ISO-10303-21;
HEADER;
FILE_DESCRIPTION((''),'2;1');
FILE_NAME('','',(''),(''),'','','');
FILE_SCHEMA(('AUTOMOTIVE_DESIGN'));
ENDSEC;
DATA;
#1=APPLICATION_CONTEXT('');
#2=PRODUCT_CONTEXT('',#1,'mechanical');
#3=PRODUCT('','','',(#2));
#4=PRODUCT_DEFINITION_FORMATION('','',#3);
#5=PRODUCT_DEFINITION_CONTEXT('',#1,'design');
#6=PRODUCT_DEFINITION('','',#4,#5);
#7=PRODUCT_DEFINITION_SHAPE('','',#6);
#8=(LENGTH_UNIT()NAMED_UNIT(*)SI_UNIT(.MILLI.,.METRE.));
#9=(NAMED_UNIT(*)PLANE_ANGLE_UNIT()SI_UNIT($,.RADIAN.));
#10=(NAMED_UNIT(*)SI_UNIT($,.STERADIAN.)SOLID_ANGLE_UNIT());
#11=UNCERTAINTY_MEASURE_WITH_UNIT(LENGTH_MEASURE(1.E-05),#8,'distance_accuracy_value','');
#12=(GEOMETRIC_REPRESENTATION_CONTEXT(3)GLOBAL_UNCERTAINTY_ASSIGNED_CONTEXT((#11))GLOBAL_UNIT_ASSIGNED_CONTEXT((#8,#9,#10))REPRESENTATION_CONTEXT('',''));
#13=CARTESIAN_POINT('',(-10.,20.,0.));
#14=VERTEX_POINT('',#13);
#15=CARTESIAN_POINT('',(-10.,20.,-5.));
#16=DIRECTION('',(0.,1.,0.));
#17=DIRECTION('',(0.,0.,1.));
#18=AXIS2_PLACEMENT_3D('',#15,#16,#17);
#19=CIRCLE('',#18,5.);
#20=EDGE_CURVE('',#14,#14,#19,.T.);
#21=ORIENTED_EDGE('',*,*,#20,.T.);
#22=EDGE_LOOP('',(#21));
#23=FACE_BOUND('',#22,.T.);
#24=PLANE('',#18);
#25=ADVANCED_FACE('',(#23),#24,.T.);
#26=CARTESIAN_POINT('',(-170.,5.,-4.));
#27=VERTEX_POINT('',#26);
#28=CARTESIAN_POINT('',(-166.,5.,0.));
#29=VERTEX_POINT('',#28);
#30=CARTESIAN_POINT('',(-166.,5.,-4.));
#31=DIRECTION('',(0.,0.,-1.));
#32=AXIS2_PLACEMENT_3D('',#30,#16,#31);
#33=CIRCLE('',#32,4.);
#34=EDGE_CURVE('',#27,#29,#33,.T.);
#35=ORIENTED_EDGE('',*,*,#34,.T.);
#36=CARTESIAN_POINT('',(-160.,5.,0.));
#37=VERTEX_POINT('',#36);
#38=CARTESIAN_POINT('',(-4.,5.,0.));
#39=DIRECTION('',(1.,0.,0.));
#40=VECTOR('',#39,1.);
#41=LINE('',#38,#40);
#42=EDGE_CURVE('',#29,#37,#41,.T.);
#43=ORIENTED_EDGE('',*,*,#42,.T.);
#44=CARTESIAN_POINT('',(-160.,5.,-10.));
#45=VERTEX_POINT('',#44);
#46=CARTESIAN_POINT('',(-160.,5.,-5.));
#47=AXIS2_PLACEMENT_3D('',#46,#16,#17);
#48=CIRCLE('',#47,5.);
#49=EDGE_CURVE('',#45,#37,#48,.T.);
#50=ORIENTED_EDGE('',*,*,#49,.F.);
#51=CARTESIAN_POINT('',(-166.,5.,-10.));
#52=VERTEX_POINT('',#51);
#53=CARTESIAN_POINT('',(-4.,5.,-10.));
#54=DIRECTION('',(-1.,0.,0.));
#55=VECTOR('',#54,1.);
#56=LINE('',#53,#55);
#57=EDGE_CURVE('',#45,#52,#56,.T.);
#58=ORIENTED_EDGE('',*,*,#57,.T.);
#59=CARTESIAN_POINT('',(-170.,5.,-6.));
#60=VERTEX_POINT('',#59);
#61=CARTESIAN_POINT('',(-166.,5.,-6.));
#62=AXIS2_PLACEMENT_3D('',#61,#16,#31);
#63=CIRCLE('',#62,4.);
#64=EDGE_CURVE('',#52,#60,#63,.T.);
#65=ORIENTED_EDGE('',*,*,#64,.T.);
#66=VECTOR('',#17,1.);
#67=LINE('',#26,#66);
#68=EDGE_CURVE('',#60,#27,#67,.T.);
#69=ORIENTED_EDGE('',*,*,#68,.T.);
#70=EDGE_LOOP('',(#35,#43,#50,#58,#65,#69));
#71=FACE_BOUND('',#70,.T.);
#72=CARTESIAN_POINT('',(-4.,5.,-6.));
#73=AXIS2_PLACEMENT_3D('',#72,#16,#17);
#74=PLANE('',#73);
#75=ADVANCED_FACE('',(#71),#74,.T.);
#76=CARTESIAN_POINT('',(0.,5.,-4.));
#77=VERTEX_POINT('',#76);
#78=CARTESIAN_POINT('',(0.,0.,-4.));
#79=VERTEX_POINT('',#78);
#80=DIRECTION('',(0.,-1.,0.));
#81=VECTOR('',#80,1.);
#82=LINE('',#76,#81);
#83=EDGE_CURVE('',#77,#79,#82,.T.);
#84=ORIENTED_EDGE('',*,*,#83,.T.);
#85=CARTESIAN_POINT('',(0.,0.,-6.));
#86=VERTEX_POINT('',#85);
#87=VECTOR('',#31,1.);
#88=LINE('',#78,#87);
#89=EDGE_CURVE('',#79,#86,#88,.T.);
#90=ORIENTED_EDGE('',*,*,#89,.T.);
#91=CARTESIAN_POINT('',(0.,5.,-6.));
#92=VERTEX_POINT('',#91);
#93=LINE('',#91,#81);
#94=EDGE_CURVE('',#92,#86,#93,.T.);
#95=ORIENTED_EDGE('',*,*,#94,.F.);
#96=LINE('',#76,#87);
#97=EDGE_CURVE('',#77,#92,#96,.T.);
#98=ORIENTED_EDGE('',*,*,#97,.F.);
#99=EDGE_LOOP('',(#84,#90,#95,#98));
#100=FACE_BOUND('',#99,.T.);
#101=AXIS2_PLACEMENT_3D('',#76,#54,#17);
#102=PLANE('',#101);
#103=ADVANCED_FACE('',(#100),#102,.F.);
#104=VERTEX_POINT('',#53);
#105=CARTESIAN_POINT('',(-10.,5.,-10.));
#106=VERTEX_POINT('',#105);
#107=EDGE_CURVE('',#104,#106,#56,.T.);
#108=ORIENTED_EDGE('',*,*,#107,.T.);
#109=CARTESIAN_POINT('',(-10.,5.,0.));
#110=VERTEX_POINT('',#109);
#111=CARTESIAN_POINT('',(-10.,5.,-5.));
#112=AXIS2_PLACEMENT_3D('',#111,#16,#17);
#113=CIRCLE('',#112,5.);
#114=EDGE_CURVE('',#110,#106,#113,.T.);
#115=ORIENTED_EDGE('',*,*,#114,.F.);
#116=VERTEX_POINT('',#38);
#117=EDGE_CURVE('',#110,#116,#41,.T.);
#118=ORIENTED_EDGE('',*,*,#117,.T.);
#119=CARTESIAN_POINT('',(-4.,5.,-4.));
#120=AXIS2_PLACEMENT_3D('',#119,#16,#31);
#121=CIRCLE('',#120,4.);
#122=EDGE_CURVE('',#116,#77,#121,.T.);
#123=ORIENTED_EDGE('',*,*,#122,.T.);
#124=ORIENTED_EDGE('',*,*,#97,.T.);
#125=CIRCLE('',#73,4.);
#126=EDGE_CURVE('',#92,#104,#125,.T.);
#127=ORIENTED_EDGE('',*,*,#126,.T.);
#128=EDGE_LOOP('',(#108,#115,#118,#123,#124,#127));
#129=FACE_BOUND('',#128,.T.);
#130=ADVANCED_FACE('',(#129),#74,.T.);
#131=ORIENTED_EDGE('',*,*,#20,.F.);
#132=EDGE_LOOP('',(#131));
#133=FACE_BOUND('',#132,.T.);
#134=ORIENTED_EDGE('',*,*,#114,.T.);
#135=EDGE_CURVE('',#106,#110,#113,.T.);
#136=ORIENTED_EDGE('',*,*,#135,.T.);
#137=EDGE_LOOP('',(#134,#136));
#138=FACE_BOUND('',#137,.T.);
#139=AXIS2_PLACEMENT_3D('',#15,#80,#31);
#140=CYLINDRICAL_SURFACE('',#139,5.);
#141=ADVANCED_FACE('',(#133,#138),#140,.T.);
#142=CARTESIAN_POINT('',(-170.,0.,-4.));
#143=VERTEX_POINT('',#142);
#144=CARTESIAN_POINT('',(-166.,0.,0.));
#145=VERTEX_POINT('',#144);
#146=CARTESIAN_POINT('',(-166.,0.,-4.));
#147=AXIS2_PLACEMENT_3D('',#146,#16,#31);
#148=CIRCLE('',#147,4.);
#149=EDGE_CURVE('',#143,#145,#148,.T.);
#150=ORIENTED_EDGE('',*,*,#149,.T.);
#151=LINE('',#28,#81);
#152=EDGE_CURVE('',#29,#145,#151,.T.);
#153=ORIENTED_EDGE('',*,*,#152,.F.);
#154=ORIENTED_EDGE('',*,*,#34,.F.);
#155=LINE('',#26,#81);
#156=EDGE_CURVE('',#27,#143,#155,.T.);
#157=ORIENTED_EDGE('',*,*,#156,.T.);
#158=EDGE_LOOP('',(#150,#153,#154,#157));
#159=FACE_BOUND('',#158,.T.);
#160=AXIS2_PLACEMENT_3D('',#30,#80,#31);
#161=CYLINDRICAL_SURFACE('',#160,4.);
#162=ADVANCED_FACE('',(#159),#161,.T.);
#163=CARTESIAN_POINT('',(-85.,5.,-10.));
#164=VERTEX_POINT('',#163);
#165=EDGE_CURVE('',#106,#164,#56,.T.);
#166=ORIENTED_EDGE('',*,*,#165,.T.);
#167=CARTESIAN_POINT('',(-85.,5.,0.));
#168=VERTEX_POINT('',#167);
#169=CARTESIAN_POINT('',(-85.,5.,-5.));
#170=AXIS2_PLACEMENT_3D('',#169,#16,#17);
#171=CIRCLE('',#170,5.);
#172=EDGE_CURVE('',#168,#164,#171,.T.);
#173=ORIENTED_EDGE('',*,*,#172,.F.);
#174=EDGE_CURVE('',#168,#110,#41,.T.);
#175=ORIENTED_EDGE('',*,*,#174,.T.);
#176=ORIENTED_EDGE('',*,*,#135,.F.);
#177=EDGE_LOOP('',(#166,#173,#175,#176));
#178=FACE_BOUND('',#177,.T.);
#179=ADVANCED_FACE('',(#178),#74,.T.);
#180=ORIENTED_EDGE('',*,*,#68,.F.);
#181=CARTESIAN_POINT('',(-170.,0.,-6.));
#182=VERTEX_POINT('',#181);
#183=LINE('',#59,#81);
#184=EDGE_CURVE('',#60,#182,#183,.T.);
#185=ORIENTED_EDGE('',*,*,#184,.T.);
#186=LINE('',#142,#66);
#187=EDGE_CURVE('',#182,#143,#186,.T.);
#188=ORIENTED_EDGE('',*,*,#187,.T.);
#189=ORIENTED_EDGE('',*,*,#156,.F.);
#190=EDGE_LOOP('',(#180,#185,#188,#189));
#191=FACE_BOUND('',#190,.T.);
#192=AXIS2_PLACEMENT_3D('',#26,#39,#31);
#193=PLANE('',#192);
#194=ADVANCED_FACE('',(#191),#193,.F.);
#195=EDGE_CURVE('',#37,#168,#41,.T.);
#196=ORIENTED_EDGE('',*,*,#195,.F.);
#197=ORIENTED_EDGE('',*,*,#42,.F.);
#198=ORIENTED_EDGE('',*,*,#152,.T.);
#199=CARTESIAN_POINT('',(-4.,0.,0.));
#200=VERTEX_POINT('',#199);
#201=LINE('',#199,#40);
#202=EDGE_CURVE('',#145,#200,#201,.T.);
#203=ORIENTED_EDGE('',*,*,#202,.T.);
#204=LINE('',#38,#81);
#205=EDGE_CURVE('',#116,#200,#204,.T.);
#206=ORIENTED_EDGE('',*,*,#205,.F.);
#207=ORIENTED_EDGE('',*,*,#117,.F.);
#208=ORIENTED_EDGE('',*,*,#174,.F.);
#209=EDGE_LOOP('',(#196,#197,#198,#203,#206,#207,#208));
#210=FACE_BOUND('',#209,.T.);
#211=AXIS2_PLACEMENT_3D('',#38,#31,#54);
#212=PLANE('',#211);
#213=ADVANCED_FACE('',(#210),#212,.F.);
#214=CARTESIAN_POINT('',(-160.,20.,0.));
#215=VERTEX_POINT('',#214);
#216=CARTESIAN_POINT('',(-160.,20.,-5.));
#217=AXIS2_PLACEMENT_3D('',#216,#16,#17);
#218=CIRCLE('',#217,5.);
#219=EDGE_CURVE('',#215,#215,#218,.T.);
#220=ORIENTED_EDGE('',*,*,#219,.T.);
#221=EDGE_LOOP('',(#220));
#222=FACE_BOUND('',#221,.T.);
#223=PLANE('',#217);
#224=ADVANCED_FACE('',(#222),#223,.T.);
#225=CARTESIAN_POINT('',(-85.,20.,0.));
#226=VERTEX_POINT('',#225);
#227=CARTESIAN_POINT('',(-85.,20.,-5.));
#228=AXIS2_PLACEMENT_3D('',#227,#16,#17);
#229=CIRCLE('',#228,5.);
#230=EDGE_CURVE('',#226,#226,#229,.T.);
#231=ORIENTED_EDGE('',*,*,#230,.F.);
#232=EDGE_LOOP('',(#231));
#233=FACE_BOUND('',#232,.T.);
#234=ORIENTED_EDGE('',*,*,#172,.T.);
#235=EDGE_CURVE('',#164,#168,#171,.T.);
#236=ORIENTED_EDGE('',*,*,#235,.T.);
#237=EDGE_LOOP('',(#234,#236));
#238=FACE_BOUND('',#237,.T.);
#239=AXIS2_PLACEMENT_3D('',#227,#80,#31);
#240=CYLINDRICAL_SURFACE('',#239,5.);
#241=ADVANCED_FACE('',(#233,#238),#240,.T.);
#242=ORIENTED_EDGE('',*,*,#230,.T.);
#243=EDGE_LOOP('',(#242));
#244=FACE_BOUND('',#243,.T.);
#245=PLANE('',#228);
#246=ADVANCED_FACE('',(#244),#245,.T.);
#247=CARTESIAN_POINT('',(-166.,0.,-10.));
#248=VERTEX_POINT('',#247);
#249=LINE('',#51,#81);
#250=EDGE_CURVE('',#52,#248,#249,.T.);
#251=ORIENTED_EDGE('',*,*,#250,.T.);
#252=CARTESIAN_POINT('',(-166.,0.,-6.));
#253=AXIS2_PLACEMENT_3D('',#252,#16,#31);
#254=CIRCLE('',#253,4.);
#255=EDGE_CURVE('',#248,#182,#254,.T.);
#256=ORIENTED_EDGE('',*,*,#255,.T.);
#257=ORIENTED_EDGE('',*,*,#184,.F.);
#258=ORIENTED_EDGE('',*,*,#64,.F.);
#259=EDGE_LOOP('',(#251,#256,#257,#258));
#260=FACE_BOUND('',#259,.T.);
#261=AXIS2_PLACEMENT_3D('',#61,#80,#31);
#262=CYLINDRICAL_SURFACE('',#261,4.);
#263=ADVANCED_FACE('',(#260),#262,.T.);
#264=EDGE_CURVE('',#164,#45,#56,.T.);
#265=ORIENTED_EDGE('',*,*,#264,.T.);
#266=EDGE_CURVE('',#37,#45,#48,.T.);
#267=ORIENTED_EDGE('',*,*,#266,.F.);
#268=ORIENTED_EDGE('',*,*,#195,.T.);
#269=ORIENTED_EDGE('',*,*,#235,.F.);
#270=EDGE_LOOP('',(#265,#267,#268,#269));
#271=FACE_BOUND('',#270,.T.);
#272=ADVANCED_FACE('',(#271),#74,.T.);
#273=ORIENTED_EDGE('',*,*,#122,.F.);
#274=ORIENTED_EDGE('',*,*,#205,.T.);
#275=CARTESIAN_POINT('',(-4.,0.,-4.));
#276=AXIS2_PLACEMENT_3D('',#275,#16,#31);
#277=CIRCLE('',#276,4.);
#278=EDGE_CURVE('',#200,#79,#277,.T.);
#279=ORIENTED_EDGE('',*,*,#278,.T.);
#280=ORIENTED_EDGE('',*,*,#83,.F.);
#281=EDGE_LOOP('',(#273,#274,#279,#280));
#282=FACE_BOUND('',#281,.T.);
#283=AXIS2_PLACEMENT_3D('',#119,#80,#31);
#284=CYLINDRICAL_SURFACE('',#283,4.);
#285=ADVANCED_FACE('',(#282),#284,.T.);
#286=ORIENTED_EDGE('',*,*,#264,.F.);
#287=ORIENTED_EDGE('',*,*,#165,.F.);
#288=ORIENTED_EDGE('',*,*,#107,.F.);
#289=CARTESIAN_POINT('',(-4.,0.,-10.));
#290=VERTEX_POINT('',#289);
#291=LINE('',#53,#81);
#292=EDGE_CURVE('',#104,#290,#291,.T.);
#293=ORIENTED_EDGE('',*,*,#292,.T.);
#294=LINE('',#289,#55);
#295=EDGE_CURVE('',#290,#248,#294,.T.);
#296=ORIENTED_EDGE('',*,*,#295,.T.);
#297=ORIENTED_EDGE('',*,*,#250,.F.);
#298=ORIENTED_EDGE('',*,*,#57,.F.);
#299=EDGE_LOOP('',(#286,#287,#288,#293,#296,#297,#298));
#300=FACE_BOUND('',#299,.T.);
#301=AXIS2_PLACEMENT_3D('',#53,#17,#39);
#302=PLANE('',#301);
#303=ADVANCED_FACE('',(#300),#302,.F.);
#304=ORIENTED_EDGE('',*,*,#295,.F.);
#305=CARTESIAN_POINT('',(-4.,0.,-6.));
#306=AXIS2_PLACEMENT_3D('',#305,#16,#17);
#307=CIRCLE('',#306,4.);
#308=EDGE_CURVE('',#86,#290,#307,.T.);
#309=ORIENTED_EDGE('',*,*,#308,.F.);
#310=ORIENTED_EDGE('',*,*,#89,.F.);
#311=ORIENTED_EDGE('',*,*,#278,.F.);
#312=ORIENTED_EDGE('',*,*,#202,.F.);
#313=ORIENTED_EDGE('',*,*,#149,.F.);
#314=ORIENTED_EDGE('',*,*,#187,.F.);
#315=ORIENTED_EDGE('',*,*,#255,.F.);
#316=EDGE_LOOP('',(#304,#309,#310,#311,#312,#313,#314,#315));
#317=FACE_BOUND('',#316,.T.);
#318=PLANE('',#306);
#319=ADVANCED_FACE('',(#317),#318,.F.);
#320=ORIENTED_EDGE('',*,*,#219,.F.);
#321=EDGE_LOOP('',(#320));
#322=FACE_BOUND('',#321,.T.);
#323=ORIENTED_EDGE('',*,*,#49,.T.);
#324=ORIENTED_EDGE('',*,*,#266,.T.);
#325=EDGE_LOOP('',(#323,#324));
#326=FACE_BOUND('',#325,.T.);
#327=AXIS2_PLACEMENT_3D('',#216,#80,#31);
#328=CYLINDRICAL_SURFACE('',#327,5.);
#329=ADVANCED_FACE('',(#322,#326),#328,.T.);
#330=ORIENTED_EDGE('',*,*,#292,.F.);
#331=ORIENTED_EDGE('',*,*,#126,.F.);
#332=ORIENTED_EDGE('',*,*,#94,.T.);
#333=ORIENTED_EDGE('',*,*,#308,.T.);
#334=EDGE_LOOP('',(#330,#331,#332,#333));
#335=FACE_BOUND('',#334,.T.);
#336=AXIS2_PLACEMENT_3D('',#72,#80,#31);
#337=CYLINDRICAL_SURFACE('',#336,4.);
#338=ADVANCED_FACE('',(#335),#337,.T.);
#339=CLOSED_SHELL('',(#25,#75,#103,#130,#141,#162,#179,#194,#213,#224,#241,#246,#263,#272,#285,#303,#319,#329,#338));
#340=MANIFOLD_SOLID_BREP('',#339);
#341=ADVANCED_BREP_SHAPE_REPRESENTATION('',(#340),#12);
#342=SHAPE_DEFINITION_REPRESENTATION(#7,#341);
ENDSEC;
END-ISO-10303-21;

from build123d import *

# Parameters (mm, degrees)
BOSS_EXTRU_1_DEPTH = 5
ESQUISSE2_R        = 5
BOSS_EXTRU_2_DEPTH = 15


with BuildPart() as part:
    # Esquisse1 → Boss.-Extru.1 (new body)
    with BuildSketch(Plane(origin=(0, 0, 0), x_dir=(1, 0, 0), z_dir=(0, 1, 0))):
        with BuildLine():
            Line((-4, 0), (-166, 0))
            ThreePointArc((-166, 0), (-168.828427125, 1.171572875), (-170, 4))
            Line((-170, 4), (-170, 6))
            ThreePointArc((-170, 6), (-168.828427125, 8.828427125), (-166, 10))
            Line((-166, 10), (-4, 10))
            ThreePointArc((-4, 10), (-1.171572875, 8.828427125), (0, 6))
            Line((0, 6), (0, 4))
            ThreePointArc((0, 4), (-1.171572875, 1.171572875), (-4, 0))
        make_face()
    extrude(amount=BOSS_EXTRU_1_DEPTH)

    # Esquisse2 → Boss.-Extru.2 (add)
    with BuildSketch(Plane(origin=(0, 5, 0), x_dir=(1, 0, 0), z_dir=(0, 1, 0))):
        with Locations((-160, 5)):
            Circle(ESQUISSE2_R)
        with Locations((-85, 5)):
            Circle(ESQUISSE2_R)
        with Locations((-10, 5)):
            Circle(ESQUISSE2_R)
    extrude(amount=BOSS_EXTRU_2_DEPTH)


solid = part.part
